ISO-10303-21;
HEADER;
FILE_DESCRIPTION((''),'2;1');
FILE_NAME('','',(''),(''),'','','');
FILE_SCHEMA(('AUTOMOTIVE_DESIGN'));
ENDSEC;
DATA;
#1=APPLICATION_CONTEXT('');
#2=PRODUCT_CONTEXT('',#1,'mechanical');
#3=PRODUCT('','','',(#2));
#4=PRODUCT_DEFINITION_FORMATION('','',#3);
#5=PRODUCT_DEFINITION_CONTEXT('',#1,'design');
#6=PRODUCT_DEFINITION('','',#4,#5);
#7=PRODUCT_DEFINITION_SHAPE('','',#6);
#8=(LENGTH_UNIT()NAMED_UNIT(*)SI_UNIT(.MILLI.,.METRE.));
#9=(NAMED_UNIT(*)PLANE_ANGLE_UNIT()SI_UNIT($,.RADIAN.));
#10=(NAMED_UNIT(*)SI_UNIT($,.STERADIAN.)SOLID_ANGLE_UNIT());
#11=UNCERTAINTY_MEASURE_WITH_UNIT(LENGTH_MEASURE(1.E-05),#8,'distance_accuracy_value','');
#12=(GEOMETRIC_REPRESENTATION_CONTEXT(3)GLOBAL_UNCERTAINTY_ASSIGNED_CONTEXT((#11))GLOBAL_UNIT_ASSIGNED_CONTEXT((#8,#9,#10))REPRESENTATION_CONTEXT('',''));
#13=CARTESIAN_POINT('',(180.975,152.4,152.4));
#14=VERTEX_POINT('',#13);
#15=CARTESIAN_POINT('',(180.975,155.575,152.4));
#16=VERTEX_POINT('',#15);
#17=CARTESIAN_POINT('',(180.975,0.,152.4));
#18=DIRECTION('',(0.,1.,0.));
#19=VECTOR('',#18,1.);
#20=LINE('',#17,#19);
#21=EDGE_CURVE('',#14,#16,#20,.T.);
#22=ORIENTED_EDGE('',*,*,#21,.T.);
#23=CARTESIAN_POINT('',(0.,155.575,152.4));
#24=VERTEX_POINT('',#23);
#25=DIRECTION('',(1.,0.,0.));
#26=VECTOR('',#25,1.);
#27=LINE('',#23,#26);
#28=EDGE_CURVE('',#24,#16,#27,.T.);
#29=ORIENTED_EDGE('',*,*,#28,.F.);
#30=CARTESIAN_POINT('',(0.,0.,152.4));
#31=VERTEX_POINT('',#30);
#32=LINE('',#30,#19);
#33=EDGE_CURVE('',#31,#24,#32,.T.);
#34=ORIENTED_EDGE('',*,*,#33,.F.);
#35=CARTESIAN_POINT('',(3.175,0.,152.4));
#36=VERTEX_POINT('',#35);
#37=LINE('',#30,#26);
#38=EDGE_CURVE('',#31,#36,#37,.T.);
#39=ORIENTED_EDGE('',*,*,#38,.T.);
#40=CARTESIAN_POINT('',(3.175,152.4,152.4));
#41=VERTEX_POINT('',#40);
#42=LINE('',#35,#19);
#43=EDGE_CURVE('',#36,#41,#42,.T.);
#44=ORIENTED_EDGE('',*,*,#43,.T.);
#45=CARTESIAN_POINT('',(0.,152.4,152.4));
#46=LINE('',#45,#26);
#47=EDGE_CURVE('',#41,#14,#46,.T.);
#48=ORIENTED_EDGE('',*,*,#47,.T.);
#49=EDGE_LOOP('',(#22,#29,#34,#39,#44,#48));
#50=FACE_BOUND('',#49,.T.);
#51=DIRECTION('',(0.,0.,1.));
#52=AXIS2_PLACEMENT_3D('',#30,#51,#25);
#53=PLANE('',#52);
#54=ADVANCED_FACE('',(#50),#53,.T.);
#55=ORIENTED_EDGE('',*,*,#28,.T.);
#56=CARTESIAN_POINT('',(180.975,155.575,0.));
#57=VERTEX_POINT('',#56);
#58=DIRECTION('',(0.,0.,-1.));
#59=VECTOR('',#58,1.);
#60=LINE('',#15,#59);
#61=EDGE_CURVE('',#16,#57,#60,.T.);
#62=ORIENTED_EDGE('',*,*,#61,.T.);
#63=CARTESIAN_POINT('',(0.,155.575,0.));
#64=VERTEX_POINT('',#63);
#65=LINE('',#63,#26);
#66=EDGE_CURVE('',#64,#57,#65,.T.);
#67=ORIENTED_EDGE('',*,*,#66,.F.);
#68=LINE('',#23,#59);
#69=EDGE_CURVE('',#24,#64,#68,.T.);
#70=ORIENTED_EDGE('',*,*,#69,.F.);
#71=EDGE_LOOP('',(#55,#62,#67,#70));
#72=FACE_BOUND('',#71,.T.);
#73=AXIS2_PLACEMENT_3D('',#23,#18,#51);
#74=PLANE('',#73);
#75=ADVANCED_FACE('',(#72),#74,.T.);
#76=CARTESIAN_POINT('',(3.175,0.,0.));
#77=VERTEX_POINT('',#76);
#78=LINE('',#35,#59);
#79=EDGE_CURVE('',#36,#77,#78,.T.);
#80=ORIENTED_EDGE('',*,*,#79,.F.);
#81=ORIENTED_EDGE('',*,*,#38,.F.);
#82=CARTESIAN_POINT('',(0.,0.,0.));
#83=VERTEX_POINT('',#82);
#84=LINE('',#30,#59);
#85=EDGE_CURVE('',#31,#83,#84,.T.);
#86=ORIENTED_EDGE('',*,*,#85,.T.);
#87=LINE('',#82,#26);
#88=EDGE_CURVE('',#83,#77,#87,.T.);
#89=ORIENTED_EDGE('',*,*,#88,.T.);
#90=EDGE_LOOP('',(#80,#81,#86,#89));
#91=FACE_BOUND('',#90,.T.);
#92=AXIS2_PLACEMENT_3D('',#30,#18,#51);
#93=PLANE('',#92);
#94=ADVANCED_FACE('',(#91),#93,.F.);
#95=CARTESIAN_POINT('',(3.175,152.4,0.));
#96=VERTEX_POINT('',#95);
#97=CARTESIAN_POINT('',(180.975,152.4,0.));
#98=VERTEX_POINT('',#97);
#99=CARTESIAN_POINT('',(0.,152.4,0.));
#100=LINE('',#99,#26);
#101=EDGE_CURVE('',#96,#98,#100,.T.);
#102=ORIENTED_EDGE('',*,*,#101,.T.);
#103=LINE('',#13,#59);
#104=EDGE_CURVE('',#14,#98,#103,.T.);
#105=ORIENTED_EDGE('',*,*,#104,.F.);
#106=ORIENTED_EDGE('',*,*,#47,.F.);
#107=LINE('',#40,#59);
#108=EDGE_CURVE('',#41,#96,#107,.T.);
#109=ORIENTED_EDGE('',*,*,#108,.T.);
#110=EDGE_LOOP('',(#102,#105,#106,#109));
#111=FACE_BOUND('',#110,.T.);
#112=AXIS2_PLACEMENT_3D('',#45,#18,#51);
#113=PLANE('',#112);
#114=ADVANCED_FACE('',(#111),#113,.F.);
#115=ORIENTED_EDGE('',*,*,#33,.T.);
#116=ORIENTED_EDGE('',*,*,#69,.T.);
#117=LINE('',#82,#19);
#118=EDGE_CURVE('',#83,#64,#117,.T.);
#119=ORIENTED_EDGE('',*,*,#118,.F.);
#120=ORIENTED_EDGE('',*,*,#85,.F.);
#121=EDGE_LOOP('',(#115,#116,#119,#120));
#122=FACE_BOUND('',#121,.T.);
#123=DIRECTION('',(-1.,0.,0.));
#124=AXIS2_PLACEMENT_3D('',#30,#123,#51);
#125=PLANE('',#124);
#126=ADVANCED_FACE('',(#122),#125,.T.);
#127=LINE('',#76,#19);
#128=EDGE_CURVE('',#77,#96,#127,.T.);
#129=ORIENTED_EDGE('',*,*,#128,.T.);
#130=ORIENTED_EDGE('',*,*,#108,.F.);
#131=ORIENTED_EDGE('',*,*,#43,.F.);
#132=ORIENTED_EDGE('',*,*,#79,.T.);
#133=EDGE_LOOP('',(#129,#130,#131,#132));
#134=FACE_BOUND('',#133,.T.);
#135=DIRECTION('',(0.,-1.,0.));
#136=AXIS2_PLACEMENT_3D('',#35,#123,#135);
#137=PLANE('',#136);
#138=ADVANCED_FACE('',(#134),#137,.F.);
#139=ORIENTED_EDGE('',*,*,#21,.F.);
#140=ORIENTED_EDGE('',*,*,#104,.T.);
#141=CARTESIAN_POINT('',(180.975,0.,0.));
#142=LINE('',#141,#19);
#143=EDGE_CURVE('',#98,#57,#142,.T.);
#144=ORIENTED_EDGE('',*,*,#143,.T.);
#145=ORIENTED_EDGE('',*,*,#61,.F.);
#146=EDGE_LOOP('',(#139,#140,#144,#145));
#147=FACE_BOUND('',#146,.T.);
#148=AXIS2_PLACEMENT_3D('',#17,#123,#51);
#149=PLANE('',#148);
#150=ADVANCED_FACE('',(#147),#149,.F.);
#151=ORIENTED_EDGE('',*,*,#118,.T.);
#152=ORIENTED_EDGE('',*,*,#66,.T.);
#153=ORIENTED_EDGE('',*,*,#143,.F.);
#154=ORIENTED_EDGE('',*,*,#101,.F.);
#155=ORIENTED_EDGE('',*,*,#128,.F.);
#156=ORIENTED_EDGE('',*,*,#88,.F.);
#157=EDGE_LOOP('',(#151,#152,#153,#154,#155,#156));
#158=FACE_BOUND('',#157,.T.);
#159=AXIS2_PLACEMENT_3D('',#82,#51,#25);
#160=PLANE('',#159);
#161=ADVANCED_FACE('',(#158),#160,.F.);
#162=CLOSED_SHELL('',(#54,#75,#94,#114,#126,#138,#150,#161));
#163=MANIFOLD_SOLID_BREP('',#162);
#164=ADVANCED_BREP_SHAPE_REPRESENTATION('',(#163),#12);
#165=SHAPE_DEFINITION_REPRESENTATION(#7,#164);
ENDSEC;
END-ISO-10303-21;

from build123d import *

# Parameters (mm, degrees)
BOSS_EXTRUDE1_DEPTH = 152.4


with BuildPart() as part:
    # Sketch1 → Boss-Extrude1 (new body)
    with BuildSketch(Plane.XY):
        Polygon((0, 155.575), (0, 0), (3.175, 0), (3.175, 152.4), (180.975, 152.4), (180.975, 155.575), align=None)
    extrude(amount=BOSS_EXTRUDE1_DEPTH)


solid = part.part
